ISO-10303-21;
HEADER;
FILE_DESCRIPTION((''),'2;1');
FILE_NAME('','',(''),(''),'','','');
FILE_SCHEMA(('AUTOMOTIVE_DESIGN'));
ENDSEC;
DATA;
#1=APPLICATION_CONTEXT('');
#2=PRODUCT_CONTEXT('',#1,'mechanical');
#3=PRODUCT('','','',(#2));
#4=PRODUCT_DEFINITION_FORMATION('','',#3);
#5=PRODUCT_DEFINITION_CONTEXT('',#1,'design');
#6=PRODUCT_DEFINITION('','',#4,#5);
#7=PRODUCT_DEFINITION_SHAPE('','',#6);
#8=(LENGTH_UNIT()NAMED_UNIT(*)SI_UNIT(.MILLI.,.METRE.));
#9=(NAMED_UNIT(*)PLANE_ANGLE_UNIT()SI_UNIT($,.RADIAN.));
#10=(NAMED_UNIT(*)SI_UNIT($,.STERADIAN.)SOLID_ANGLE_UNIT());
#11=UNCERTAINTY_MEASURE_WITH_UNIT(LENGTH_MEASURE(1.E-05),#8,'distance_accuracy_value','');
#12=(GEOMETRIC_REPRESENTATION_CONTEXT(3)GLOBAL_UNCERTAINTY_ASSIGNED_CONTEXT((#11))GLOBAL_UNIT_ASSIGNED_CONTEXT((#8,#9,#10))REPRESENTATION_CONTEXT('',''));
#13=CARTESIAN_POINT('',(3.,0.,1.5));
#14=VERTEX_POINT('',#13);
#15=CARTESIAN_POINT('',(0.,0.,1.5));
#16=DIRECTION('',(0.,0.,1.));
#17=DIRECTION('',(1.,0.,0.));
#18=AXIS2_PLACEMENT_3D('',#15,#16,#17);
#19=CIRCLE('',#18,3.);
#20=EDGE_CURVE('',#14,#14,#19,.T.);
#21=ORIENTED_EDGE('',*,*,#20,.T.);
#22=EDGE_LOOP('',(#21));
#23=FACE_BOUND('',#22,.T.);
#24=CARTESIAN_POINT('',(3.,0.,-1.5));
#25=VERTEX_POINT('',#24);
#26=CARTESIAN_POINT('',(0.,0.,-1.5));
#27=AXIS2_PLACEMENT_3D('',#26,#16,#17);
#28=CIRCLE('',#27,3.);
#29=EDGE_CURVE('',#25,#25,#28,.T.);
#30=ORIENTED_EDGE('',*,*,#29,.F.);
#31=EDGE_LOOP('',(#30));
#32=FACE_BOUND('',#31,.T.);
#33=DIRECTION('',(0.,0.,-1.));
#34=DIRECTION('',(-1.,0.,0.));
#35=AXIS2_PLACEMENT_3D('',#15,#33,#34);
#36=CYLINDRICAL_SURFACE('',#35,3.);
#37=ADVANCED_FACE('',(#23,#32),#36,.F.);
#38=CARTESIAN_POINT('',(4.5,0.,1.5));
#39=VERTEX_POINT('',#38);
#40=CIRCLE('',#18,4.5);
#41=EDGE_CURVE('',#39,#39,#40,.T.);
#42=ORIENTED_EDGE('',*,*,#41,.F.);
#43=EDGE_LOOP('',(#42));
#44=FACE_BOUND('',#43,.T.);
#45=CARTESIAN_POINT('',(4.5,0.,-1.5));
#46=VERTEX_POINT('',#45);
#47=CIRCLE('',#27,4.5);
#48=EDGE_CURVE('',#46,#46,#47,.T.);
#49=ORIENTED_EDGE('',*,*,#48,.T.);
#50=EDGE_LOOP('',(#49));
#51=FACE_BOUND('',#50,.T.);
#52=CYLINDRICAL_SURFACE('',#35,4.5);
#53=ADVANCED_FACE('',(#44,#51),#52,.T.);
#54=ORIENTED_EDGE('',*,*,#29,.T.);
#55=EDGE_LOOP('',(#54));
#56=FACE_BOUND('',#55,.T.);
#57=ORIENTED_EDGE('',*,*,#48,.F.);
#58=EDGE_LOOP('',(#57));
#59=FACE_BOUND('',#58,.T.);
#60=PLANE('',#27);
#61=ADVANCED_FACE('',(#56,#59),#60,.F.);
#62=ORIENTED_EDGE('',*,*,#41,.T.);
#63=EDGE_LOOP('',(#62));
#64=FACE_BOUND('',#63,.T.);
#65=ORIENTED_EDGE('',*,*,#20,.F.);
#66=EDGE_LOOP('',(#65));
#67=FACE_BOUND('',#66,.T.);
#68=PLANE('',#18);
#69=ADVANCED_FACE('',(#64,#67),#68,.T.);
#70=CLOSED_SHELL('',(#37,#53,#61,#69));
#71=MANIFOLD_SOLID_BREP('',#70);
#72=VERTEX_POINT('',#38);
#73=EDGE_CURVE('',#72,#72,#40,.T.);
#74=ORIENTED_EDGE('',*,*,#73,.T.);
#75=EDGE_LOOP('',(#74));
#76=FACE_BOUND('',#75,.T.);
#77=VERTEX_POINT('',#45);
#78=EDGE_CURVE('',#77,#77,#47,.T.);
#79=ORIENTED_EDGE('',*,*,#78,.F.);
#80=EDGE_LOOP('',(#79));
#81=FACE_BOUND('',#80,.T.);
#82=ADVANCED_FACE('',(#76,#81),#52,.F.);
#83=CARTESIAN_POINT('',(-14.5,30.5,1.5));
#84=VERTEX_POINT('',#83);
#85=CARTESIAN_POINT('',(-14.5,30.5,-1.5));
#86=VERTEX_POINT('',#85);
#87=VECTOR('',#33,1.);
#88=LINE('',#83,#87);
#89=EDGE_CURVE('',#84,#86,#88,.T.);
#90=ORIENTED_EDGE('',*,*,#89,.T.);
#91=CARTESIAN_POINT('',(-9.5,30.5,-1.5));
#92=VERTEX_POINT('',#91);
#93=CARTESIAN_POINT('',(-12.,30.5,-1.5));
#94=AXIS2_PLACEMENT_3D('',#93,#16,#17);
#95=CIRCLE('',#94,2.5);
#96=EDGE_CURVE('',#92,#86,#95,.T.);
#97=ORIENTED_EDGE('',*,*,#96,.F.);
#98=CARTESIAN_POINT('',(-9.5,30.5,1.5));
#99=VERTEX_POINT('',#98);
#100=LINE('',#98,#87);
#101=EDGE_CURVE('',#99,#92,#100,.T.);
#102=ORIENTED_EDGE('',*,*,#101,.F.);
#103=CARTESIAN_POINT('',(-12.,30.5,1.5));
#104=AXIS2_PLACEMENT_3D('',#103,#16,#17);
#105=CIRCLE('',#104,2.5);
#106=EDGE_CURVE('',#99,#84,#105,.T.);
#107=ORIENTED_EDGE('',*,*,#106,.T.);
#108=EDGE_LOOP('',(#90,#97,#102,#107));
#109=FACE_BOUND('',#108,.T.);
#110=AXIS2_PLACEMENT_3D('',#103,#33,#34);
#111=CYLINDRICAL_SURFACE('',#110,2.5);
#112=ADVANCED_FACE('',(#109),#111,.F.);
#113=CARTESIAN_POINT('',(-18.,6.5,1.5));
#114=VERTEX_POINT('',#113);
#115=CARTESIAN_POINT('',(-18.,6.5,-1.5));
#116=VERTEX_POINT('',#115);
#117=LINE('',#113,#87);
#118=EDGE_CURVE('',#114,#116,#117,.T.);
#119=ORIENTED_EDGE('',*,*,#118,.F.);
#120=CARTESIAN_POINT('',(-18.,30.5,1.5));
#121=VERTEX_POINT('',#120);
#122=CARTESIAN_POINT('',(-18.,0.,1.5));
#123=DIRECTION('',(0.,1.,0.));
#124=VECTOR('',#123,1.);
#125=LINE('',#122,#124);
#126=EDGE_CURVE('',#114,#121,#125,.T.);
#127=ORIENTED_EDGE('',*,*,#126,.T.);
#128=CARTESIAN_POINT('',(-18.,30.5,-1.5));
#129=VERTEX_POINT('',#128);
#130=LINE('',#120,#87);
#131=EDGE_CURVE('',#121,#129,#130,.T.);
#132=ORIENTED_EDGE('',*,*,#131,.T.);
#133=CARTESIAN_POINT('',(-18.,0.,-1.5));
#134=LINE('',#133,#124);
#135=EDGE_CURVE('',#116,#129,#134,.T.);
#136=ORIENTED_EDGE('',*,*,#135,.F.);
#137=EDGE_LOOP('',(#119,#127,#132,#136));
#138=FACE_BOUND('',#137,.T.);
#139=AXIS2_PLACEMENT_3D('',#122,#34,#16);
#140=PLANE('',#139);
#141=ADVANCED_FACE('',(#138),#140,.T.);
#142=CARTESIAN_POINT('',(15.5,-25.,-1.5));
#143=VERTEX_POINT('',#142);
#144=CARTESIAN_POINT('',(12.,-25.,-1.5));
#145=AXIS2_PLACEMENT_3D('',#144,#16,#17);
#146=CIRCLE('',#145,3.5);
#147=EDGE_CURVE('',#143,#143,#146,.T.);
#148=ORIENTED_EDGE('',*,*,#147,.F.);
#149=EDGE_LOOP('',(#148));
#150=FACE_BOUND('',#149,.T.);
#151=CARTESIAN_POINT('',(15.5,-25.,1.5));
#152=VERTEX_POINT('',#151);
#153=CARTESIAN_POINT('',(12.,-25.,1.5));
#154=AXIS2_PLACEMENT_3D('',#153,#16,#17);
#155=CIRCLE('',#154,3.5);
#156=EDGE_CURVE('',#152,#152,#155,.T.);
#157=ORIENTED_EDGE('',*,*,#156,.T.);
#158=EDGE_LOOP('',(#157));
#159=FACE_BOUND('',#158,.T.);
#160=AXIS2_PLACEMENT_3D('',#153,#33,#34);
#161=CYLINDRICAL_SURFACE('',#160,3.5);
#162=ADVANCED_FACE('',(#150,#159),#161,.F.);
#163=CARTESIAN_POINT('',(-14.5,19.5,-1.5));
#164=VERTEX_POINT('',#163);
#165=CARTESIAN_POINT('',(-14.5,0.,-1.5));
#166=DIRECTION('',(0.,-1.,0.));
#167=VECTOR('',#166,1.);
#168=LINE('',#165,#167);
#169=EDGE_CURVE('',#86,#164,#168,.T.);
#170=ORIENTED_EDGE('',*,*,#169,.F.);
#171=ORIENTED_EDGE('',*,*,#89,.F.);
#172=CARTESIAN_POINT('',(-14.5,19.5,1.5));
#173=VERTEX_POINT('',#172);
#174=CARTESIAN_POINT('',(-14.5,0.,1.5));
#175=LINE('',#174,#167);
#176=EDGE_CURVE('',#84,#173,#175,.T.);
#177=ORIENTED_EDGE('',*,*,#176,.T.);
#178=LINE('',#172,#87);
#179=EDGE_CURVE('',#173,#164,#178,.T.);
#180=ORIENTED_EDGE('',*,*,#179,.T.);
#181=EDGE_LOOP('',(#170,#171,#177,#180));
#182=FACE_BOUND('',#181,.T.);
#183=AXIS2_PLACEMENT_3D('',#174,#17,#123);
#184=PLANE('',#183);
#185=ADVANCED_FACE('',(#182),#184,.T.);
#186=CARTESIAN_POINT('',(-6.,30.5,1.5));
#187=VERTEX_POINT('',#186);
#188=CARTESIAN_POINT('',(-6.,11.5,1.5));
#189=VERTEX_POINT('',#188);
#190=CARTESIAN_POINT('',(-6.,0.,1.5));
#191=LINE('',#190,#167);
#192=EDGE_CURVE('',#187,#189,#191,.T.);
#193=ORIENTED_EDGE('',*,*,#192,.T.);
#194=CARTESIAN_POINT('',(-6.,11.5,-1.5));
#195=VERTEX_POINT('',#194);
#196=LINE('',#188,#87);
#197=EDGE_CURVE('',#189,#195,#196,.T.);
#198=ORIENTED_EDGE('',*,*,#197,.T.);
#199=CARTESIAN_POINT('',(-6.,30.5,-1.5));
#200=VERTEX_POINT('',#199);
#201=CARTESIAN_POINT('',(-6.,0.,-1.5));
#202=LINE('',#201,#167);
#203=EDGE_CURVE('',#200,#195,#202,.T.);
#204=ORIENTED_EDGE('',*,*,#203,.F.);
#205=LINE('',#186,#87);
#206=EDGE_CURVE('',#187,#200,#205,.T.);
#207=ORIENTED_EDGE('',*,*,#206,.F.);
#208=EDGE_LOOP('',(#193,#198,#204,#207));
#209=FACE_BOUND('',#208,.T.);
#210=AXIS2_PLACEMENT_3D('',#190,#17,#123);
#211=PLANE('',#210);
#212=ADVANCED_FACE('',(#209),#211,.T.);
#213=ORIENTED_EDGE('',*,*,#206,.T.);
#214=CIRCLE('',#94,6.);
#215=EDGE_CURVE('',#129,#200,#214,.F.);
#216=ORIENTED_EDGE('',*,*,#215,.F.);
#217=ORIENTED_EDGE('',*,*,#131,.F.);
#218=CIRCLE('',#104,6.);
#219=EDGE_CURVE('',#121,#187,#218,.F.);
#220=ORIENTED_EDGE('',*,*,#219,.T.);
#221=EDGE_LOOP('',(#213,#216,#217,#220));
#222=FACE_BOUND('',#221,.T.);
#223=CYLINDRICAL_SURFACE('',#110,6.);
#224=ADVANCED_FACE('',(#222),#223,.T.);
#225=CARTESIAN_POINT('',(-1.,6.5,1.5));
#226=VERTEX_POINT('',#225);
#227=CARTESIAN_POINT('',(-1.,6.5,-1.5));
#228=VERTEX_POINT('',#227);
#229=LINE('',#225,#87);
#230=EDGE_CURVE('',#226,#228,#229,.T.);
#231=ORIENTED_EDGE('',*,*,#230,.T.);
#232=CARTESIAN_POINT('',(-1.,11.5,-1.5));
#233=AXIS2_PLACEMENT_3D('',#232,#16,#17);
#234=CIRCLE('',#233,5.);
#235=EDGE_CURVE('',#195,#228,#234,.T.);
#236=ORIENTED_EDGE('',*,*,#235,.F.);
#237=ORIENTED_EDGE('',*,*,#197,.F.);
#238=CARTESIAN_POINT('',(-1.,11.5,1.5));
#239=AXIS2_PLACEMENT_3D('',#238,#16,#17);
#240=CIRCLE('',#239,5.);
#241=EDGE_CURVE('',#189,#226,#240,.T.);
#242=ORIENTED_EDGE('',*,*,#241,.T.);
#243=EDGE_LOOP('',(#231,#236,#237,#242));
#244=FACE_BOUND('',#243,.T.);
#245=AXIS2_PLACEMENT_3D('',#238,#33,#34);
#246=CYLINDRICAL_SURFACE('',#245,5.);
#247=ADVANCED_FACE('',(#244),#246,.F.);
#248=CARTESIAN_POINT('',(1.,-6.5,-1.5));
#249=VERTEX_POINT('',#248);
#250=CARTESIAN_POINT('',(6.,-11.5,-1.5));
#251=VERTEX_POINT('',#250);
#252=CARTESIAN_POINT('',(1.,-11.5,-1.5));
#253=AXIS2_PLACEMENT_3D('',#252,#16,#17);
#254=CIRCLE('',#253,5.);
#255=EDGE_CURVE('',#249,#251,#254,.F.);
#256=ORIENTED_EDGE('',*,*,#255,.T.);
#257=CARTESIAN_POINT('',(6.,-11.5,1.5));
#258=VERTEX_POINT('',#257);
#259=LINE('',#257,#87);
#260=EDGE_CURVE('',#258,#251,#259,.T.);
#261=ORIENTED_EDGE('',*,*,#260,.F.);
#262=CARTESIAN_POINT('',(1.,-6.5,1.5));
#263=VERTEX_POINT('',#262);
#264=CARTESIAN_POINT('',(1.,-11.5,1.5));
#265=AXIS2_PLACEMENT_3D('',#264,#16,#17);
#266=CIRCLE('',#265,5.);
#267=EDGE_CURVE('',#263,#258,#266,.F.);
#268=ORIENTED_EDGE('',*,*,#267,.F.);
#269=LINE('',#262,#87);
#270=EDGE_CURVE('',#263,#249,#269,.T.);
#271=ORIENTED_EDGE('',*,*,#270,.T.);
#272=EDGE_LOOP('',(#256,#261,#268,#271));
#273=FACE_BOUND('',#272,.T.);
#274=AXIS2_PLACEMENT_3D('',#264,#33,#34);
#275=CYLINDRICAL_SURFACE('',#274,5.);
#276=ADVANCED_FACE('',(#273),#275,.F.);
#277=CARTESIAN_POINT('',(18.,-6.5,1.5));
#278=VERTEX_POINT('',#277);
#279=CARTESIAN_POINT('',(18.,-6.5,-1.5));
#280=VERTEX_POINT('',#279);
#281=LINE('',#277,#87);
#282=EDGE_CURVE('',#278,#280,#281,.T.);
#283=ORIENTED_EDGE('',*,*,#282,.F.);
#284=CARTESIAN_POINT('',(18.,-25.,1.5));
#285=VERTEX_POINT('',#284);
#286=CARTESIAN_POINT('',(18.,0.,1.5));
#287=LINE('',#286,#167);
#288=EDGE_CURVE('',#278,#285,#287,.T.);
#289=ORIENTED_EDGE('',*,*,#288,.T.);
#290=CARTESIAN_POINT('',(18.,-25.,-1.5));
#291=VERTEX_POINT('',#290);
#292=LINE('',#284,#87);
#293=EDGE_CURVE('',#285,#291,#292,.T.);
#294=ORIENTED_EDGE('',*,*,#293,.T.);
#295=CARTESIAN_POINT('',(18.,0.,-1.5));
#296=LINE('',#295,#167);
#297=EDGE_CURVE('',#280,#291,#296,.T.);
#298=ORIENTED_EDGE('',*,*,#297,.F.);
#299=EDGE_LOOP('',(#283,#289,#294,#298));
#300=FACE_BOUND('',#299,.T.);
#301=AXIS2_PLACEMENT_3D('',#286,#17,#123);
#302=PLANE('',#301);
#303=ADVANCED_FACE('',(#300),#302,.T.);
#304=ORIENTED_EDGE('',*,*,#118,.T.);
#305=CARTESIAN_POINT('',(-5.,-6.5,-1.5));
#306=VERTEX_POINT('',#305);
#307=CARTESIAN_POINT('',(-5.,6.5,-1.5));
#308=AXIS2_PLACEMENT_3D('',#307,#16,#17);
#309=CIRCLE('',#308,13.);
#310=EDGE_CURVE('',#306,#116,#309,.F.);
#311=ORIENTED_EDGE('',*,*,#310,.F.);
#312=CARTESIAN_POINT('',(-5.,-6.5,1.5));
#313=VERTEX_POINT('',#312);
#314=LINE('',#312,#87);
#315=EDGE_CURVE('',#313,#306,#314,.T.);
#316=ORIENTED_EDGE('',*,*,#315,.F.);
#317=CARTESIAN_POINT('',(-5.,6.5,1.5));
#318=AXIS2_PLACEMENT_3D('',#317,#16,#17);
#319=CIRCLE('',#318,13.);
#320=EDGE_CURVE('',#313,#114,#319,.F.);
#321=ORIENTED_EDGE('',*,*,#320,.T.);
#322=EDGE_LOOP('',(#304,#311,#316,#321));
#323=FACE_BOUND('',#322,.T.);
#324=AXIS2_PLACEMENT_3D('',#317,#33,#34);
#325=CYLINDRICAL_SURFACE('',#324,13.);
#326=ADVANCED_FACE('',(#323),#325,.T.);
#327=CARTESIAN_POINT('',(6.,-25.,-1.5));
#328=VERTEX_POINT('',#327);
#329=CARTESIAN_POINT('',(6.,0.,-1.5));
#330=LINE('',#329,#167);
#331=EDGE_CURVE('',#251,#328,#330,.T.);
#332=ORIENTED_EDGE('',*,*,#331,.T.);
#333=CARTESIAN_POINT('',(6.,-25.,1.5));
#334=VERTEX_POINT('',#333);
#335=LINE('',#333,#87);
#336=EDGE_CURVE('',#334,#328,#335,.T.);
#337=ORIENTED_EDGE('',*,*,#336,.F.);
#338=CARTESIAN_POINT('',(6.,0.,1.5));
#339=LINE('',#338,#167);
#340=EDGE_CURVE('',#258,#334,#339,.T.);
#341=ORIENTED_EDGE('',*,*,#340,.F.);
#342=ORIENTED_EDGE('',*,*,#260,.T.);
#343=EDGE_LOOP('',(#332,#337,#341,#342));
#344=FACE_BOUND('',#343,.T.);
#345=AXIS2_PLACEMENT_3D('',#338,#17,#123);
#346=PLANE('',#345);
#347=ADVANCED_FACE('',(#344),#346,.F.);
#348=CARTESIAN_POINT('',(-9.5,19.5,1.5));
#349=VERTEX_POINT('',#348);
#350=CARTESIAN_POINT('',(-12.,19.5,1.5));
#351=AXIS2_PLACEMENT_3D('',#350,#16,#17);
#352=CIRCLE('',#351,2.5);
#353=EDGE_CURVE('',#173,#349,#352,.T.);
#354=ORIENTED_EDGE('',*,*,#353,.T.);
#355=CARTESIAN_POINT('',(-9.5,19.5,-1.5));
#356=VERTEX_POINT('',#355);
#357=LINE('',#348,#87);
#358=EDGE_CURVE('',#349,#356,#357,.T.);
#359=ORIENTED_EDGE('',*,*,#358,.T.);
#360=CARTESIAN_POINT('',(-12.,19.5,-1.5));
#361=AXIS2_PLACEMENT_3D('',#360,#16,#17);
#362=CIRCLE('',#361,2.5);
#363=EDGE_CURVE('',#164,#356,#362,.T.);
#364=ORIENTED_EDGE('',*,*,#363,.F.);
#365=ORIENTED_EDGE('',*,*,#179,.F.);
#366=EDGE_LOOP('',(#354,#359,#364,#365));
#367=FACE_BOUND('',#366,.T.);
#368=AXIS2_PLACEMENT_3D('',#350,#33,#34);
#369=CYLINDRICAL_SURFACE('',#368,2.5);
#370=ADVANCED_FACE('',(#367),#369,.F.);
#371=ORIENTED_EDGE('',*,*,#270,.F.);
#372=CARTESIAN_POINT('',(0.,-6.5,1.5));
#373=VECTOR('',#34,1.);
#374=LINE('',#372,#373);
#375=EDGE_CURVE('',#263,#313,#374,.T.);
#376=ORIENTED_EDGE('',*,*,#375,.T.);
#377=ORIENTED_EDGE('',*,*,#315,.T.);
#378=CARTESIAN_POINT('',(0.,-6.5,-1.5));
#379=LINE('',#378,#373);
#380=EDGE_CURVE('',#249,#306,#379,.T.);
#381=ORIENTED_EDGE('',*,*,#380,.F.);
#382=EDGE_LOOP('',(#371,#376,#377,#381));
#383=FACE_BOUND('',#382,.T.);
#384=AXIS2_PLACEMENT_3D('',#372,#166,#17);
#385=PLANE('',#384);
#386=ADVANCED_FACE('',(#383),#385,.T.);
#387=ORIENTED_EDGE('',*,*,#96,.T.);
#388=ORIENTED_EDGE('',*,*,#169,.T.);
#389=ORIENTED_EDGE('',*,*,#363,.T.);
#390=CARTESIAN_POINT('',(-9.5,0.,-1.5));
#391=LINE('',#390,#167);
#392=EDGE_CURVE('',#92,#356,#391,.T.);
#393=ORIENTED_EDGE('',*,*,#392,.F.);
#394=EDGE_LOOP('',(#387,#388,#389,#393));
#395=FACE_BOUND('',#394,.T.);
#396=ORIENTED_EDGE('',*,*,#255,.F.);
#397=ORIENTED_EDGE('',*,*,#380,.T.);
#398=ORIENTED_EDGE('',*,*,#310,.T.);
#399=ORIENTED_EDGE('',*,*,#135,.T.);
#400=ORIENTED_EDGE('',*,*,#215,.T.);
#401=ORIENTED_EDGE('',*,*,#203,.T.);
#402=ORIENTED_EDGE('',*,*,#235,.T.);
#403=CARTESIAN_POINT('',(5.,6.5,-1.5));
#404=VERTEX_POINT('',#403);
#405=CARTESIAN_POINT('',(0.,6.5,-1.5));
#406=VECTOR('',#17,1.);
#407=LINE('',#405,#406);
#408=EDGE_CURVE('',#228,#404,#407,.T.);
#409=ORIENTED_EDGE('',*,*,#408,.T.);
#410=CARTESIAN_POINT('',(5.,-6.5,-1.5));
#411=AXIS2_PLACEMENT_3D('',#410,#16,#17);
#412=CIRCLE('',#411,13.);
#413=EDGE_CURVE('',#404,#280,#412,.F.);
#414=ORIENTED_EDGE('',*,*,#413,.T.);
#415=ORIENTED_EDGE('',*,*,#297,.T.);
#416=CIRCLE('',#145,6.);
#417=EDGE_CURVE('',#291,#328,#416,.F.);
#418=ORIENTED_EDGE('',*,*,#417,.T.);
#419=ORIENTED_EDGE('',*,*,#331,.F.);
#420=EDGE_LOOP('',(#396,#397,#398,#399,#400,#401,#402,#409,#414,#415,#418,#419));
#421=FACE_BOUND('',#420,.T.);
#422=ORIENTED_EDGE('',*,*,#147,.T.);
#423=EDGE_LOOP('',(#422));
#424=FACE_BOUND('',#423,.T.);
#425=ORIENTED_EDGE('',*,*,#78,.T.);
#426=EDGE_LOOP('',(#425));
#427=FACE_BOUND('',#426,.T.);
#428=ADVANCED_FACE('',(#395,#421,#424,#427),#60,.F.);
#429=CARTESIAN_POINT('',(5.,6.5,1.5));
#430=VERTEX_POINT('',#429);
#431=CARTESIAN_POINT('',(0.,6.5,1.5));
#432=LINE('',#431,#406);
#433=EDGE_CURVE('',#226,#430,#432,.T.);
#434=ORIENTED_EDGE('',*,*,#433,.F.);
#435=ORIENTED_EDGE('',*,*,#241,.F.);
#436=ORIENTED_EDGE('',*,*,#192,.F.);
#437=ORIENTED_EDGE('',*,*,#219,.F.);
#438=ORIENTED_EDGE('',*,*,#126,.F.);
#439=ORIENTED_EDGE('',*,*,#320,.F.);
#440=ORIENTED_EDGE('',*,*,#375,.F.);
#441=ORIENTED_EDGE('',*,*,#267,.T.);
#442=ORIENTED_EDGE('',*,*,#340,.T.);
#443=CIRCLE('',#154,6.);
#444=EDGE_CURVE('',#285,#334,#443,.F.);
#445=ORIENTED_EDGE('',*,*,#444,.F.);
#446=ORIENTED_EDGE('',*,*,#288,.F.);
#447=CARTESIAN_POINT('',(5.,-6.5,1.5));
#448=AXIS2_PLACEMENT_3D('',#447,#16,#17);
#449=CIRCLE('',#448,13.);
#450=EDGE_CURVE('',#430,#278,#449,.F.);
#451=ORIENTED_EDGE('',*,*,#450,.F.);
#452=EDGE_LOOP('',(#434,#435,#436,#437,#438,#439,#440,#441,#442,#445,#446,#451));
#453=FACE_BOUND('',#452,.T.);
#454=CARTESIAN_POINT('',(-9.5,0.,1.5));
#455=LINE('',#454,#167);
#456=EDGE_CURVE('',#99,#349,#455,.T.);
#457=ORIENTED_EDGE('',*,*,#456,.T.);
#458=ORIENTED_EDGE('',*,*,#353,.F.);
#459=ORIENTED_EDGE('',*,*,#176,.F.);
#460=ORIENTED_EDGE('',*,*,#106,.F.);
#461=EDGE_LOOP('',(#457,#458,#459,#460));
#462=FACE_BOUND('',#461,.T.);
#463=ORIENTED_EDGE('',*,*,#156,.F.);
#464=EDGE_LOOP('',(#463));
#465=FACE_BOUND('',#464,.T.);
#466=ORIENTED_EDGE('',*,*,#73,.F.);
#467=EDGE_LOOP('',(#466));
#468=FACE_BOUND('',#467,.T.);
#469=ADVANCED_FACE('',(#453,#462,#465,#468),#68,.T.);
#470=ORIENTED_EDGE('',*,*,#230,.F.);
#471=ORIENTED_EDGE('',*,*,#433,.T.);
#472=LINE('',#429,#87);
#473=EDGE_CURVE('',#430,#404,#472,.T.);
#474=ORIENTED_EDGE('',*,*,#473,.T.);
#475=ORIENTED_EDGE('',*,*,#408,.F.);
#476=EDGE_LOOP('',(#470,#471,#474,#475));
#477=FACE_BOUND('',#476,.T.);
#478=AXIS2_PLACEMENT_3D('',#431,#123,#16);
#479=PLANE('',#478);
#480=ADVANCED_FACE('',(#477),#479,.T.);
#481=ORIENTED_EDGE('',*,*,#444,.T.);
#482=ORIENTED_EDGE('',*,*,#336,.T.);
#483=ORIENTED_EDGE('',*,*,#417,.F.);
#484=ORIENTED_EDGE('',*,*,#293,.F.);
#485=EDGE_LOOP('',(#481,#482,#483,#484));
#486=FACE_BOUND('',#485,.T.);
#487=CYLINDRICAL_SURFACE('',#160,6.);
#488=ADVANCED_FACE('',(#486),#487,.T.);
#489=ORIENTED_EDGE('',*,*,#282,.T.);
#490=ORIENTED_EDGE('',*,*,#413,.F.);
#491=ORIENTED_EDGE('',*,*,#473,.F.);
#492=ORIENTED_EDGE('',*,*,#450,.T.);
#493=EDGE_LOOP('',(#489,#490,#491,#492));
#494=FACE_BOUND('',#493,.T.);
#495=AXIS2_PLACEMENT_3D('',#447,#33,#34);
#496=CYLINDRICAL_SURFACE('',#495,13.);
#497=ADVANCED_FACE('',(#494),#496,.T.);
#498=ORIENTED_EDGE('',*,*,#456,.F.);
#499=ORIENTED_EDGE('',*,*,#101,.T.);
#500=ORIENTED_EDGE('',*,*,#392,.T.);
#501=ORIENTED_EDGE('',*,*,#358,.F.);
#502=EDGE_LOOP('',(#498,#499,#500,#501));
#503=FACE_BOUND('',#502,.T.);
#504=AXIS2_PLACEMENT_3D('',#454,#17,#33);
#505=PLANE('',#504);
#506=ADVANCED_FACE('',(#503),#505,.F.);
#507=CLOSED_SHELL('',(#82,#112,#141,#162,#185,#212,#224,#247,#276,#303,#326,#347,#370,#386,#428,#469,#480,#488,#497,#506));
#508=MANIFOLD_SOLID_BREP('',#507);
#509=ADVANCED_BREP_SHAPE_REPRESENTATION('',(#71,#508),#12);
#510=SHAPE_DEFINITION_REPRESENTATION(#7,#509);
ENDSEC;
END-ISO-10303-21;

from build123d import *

# Parameters (mm, degrees)
SKETCH1_R           = 4.5
SKETCH1_R_2         = 3.5
BOSS_EXTRUDE1_DEPTH = 1.5
SKETCH1_4_R         = 4.5
SKETCH1_4_R_2       = 3
BOSS_EXTRUDE2_DEPTH = 1.5


with BuildPart() as part:
    # Sketch1 → Boss-Extrude1 (new, symmetric)
    with BuildSketch(Plane.XY):
        with BuildLine():
            Line((5, 6.5), (-1, 6.5))
            ThreePointArc((-1, 6.5), (-4.535533906, 7.964466094), (-6, 11.5))
            Line((-6, 11.5), (-6, 30.5))
            ThreePointArc((-6, 30.5), (-12, 36.5), (-18, 30.5))
            Line((-18, 30.5), (-18, 6.5))
            ThreePointArc((-18, 6.5), (-14.192388155, -2.692388155), (-5, -6.5))
            Line((-5, -6.5), (1, -6.5))
            ThreePointArc((1, -6.5), (4.535533906, -7.964466094), (6, -11.5))
            Line((6, -11.5), (6, -25))
            ThreePointArc((6, -25), (12, -31), (18, -25))
            Line((18, -25), (18, -6.5))
            ThreePointArc((18, -6.5), (14.192388155, 2.692388155), (5, 6.5))
        make_face()
        Circle(SKETCH1_R, mode=Mode.SUBTRACT)
        with Locations((12, -25)):
            Circle(SKETCH1_R_2, mode=Mode.SUBTRACT)
        with BuildLine():
            ThreePointArc((-14.5, 30.5), (-12, 33), (-9.5, 30.5))
            Line((-9.5, 30.5), (-9.5, 19.5))
            ThreePointArc((-9.5, 19.5), (-12, 17), (-14.5, 19.5))
            Line((-14.5, 19.5), (-14.5, 30.5))
        make_face(mode=Mode.SUBTRACT)
    extrude(amount=BOSS_EXTRUDE1_DEPTH, both=True)


with BuildPart() as body_2:
    # Sketch1<4> → Boss-Extrude2 (new, symmetric)
    with BuildSketch(Plane.XY):
        Circle(SKETCH1_4_R)
        Circle(SKETCH1_4_R_2, mode=Mode.SUBTRACT)
    extrude(amount=BOSS_EXTRUDE2_DEPTH, both=True)


solid = Compound([part.part, body_2.part])
